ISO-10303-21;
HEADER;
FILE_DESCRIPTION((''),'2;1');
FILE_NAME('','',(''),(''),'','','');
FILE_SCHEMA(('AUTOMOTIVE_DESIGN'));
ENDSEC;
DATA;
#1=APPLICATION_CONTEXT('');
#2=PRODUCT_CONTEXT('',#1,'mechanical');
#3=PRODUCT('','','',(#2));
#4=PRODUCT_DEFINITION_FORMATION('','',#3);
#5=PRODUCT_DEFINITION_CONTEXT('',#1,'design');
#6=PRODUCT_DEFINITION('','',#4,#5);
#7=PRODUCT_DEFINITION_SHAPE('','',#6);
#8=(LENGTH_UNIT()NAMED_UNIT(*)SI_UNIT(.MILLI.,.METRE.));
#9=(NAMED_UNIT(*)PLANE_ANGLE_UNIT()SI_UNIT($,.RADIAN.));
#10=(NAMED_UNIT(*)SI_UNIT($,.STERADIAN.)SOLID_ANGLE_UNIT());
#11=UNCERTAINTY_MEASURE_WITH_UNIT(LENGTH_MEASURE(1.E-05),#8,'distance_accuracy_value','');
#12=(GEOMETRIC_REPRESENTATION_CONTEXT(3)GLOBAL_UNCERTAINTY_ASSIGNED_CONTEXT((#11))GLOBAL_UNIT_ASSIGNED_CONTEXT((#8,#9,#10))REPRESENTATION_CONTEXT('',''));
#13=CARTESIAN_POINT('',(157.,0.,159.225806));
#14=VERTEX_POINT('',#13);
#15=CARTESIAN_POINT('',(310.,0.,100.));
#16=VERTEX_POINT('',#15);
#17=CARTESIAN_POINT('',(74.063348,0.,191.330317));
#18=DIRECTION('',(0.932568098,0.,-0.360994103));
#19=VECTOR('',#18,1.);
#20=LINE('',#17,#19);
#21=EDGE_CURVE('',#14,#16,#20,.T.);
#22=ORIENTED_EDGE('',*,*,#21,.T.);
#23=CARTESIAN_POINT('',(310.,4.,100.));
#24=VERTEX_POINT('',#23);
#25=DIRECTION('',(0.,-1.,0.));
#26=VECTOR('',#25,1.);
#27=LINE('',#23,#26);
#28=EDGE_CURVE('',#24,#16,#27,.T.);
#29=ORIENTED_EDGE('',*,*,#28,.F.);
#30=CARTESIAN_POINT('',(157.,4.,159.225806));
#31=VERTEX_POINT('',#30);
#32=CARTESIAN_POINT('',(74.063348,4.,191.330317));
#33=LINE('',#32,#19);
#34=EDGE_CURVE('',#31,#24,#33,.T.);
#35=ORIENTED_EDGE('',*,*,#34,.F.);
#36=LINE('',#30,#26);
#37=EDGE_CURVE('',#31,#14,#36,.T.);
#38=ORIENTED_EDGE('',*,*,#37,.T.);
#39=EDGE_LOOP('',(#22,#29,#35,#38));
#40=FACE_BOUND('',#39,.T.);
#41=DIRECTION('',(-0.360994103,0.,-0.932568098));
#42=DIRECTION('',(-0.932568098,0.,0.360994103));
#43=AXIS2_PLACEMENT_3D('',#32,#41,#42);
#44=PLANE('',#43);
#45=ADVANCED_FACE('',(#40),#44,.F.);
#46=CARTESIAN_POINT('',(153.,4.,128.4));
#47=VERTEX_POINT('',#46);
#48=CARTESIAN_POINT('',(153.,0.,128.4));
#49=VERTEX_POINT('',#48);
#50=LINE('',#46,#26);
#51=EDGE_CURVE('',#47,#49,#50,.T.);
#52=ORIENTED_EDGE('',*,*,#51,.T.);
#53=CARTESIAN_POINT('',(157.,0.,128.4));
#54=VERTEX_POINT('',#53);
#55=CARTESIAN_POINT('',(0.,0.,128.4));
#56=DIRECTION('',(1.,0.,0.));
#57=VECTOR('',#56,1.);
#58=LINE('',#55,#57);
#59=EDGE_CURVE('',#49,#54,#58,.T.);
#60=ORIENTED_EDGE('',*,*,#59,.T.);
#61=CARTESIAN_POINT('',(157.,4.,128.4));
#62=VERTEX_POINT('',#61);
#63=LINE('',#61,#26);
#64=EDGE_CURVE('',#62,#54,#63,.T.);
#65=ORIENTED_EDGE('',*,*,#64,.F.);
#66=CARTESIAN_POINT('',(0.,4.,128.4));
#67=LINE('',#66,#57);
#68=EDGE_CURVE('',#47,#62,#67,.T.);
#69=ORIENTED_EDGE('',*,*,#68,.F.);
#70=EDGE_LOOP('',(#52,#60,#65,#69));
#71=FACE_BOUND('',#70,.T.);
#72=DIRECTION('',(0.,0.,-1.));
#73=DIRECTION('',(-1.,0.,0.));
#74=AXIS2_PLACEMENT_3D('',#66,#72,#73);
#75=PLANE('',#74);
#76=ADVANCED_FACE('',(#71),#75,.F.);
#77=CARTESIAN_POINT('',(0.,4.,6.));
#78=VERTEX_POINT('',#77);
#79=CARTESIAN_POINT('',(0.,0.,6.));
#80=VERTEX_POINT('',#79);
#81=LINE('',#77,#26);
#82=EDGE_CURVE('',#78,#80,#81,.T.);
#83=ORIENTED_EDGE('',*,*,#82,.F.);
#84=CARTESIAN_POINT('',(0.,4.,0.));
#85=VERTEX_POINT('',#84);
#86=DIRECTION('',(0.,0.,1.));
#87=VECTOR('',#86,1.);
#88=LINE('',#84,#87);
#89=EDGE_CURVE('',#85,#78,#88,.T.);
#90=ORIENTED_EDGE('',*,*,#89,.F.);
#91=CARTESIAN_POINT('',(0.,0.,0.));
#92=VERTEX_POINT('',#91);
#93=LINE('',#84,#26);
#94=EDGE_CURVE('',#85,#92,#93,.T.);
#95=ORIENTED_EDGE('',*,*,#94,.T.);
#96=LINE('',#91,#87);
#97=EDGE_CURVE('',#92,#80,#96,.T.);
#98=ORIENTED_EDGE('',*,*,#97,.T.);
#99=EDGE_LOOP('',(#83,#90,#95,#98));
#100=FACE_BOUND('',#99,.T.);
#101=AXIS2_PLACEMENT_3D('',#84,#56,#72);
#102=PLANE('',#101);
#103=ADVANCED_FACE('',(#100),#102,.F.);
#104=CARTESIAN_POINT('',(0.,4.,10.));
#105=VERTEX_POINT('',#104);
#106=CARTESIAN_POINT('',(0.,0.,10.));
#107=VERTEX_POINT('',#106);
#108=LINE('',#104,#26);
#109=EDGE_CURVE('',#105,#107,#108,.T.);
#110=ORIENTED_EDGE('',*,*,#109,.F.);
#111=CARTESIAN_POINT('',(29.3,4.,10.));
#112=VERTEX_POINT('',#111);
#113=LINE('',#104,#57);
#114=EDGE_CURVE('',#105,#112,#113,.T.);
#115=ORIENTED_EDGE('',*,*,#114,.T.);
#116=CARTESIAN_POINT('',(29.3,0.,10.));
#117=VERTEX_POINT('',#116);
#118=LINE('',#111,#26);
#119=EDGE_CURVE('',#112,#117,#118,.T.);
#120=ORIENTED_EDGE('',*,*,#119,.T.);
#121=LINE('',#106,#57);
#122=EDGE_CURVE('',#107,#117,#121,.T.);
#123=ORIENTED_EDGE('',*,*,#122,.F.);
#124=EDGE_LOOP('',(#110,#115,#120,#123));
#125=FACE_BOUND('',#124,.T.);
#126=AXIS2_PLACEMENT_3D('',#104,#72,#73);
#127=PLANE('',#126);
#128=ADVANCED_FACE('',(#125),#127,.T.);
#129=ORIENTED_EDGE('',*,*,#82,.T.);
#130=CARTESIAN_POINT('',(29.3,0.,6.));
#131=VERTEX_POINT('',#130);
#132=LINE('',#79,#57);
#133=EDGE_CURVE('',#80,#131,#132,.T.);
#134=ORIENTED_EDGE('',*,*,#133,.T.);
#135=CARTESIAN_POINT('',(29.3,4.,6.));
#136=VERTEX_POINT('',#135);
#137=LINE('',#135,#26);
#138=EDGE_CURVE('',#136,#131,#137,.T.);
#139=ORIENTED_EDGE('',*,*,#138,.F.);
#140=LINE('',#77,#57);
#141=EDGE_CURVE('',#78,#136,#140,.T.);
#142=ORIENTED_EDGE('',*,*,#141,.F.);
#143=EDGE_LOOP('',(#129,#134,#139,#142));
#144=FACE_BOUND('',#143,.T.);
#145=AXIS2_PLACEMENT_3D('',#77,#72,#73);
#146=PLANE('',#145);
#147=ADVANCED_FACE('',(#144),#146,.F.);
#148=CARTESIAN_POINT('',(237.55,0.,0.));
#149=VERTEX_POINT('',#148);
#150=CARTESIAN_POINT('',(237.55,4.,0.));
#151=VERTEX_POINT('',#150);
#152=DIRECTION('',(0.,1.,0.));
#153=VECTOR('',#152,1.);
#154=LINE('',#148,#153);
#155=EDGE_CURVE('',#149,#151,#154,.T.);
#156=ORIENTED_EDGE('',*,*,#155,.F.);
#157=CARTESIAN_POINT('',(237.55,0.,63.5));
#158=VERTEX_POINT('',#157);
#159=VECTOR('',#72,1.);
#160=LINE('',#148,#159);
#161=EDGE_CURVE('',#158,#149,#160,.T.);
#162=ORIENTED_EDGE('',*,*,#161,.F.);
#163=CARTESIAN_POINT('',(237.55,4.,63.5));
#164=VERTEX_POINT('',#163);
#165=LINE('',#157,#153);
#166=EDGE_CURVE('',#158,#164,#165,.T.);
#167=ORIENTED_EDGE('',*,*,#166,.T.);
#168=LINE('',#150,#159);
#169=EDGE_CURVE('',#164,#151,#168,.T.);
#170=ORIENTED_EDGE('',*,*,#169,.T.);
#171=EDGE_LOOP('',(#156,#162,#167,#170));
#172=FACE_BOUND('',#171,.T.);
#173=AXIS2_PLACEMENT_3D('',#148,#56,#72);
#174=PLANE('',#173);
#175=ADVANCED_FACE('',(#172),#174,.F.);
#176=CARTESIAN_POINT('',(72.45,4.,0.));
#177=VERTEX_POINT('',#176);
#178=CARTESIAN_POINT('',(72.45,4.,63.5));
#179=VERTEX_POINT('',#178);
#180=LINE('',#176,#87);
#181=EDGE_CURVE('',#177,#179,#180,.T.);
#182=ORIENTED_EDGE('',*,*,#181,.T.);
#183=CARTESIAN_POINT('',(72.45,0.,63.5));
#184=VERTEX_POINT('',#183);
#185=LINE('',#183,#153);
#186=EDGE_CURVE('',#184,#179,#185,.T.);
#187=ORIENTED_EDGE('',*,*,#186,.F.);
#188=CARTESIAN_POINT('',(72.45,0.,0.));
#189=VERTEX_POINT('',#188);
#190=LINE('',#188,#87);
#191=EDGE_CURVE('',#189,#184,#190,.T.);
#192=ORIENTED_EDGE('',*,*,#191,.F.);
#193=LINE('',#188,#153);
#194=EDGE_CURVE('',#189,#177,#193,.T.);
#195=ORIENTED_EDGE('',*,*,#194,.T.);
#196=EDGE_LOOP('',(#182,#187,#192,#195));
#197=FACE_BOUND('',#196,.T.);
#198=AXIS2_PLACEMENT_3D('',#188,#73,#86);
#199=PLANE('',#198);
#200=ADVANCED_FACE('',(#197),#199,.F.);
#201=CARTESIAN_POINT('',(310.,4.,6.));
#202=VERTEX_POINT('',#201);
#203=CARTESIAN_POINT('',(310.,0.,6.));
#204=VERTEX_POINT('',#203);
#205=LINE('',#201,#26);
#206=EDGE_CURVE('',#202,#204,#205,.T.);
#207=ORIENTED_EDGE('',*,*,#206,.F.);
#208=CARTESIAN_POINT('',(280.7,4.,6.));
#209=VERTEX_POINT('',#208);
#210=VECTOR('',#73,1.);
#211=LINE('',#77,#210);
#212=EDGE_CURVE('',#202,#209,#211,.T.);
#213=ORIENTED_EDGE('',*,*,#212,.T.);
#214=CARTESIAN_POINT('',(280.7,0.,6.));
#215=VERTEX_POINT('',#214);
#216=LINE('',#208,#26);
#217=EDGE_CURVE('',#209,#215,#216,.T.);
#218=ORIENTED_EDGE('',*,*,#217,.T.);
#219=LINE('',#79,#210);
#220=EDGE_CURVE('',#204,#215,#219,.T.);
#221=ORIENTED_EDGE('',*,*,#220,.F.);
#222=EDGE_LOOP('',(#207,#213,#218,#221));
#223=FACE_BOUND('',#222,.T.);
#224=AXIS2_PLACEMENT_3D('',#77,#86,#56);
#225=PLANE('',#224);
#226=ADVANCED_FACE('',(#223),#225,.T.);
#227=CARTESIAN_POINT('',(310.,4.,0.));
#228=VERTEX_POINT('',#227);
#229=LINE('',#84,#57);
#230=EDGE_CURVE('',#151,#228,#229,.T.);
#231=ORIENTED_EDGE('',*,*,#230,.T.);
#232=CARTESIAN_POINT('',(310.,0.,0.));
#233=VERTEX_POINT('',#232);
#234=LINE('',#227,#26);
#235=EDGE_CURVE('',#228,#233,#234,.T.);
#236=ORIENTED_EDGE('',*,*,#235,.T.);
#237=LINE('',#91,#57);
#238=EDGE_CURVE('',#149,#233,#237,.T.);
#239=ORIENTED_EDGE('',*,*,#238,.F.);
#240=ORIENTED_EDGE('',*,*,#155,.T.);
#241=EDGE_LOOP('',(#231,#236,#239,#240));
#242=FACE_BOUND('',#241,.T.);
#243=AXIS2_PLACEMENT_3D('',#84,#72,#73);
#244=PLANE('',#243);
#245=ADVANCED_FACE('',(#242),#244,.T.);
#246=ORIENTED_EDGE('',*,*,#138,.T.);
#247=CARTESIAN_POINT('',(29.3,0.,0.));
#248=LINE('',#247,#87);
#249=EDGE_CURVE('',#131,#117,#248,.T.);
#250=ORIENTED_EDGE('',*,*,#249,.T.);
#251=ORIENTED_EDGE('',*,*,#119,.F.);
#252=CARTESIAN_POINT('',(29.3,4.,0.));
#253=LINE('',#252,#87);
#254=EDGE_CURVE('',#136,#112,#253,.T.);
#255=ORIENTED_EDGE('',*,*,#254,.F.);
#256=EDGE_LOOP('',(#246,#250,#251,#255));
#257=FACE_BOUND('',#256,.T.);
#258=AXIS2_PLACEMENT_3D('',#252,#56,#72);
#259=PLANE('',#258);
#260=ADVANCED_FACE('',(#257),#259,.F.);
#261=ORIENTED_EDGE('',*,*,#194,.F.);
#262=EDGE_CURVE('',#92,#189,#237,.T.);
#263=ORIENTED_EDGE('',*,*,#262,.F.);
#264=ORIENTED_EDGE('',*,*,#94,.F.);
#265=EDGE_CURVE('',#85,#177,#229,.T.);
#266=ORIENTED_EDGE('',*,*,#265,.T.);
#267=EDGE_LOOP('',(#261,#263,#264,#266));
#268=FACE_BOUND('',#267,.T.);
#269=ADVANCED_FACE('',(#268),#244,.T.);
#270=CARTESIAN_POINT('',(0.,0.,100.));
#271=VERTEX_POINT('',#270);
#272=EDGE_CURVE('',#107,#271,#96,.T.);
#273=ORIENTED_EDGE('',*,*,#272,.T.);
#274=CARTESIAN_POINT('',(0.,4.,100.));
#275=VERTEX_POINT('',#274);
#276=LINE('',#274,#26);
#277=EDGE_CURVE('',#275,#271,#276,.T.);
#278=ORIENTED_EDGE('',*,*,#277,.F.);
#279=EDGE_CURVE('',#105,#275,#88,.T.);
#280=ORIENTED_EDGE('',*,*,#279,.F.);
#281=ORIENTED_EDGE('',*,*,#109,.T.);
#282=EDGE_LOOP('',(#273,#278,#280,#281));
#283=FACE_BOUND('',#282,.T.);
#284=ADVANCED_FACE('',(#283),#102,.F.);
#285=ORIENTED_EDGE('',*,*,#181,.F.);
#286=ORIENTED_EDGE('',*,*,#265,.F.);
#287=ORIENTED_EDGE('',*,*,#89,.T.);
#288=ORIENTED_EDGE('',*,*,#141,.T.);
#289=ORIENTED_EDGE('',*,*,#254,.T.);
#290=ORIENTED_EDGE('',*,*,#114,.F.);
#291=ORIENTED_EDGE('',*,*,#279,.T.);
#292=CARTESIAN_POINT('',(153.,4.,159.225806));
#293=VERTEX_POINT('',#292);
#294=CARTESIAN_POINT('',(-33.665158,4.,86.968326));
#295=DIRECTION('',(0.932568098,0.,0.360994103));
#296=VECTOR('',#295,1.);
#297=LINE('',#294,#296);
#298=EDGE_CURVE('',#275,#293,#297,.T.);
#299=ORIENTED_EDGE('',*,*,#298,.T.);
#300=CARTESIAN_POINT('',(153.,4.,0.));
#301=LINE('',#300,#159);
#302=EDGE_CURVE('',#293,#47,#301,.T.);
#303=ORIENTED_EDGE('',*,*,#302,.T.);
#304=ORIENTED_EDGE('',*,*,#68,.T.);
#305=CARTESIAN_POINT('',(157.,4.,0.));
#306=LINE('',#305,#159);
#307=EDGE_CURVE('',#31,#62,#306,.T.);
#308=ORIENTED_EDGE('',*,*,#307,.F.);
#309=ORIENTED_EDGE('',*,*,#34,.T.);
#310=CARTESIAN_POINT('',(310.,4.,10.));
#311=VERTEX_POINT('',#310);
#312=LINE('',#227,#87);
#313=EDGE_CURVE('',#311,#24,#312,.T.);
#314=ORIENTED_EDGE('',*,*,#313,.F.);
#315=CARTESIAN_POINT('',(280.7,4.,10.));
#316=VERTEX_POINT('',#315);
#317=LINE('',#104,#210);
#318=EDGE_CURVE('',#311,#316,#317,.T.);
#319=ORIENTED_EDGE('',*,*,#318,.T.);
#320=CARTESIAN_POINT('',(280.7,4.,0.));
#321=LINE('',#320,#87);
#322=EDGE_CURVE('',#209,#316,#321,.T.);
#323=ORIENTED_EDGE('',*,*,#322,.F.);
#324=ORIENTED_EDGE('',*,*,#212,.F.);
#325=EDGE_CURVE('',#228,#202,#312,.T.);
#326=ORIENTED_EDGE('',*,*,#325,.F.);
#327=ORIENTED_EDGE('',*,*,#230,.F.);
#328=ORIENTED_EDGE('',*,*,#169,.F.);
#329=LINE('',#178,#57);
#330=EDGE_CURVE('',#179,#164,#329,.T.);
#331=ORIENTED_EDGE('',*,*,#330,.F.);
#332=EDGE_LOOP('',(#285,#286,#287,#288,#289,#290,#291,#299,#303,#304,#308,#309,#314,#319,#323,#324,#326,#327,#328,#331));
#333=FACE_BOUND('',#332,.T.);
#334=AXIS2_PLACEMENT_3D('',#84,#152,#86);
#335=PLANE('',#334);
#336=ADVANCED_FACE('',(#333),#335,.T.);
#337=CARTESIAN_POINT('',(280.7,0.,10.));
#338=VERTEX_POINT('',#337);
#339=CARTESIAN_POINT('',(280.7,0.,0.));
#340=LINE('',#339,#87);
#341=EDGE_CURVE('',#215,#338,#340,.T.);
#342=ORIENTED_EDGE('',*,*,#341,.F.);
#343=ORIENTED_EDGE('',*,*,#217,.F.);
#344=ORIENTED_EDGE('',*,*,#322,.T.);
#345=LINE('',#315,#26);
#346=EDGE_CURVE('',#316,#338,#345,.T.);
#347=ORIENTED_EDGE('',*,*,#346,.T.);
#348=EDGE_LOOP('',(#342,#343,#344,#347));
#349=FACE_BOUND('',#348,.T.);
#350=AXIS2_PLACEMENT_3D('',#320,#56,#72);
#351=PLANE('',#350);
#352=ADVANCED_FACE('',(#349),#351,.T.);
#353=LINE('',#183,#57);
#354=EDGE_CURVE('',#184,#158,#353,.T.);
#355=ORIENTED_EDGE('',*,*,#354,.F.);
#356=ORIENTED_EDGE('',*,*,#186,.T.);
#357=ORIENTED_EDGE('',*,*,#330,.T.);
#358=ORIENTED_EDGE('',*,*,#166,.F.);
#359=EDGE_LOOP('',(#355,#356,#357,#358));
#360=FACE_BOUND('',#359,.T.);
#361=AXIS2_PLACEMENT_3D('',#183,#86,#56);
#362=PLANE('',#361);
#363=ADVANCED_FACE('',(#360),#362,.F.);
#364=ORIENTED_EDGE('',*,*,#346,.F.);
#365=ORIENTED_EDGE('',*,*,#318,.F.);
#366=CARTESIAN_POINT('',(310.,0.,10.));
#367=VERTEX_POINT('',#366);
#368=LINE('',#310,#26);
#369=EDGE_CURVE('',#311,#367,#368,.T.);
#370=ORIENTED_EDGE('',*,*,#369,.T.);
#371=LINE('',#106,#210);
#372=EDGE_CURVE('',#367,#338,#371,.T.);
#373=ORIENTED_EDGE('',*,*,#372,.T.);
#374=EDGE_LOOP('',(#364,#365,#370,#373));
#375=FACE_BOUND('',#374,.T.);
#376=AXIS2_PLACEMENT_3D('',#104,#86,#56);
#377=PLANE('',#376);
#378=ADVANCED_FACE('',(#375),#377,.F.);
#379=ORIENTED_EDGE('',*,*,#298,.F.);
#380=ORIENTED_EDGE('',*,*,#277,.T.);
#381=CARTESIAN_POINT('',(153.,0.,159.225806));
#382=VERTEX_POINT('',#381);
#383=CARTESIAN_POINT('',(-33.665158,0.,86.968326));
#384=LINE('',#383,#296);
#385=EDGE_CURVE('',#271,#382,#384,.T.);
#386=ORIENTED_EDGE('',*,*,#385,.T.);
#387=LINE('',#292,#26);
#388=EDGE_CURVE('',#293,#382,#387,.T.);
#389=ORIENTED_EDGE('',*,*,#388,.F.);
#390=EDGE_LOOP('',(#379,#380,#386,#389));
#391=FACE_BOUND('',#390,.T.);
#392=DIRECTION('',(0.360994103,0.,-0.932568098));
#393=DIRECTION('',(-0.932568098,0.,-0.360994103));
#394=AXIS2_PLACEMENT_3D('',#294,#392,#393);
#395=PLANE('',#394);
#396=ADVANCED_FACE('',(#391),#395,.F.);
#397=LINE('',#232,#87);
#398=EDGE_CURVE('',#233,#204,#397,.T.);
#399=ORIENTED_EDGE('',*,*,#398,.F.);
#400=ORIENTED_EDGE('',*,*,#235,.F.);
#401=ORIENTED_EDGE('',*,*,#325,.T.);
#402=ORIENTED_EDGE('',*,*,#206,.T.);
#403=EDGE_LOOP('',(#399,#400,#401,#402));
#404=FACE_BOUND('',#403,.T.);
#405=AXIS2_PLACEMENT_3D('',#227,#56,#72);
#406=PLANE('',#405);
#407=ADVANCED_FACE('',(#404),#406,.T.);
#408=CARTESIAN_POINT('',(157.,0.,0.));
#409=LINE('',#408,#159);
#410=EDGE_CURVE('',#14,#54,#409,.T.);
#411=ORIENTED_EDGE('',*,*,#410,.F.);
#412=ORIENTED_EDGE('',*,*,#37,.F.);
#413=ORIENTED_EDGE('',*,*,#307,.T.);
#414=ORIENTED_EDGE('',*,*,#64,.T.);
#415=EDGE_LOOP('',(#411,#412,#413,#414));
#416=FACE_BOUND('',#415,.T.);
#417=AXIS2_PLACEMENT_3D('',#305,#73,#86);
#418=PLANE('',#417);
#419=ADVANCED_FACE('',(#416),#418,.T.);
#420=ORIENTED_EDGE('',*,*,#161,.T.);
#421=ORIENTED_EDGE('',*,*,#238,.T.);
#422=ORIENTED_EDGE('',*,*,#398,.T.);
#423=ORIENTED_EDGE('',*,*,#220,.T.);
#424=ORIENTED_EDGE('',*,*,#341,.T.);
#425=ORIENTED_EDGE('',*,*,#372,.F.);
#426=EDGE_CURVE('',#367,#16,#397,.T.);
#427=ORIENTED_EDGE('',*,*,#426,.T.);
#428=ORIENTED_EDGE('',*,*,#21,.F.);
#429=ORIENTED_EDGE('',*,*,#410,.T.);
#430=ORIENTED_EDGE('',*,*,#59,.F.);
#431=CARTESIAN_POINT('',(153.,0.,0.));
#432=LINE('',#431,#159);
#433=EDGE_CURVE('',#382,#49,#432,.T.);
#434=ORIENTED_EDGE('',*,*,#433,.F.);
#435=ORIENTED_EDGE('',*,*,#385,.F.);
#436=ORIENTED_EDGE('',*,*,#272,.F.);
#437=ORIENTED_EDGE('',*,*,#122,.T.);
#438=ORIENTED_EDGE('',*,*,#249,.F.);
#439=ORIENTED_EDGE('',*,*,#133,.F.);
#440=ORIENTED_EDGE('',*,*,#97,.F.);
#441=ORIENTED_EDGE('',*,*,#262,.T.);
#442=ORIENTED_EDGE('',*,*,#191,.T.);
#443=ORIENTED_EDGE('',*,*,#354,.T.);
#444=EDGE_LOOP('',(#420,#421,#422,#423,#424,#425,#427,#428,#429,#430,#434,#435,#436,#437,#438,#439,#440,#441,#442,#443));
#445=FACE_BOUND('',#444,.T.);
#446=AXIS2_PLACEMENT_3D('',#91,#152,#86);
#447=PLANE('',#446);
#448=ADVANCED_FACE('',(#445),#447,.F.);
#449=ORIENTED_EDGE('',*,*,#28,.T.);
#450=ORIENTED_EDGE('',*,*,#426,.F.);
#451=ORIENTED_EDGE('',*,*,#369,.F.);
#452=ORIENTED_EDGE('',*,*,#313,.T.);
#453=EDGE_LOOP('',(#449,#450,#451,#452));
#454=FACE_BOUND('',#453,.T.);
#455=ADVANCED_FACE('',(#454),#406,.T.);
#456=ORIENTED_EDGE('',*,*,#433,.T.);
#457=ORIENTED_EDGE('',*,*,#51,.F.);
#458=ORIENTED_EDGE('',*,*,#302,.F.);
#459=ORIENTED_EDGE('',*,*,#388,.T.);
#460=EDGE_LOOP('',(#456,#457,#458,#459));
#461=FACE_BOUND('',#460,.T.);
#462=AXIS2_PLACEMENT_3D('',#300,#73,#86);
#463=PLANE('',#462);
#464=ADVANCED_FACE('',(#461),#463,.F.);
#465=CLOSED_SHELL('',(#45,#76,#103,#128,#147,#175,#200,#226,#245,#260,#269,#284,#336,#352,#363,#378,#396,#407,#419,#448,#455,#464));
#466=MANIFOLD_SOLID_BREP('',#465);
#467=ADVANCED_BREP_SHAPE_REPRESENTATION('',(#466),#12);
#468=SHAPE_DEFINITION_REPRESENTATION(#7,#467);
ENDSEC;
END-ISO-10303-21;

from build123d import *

# Parameters (mm, degrees)
BOSS_EXTRUDE1_DEPTH = 4
SKETCH2_W           = 165.1
SKETCH2_H           = 63.5
CUT_EXTRUDE1_DEPTH  = 349.523826216


with BuildPart() as part:
    # Sketch1 → Boss-Extrude1 (new body)
    with BuildSketch(Plane(origin=(0, 0, 0), x_dir=(1, 0, 0), z_dir=(0, 1, 0))):
        Polygon((310, -100), (310, -10), (280.7, -10), (280.7, -6), (310, -6), (310, 0), (0, 0), (0, -6), (29.3, -6), (29.3, -10), (0, -10), (0, -100), (153, -159.225806452), (153, -128.4), (157, -128.4), (157, -159.225806452), align=None)
    extrude(amount=BOSS_EXTRUDE1_DEPTH)

    # Sketch2 → Cut-Extrude1 (cut, through all)
    with BuildSketch(Plane(origin=(0, 4, 0), x_dir=(1, 0, 0), z_dir=(0, 1, 0))):
        with Locations((155, -31.75)):
            Rectangle(SKETCH2_W, SKETCH2_H)
    extrude(amount=-CUT_EXTRUDE1_DEPTH, mode=Mode.SUBTRACT)


solid = part.part
